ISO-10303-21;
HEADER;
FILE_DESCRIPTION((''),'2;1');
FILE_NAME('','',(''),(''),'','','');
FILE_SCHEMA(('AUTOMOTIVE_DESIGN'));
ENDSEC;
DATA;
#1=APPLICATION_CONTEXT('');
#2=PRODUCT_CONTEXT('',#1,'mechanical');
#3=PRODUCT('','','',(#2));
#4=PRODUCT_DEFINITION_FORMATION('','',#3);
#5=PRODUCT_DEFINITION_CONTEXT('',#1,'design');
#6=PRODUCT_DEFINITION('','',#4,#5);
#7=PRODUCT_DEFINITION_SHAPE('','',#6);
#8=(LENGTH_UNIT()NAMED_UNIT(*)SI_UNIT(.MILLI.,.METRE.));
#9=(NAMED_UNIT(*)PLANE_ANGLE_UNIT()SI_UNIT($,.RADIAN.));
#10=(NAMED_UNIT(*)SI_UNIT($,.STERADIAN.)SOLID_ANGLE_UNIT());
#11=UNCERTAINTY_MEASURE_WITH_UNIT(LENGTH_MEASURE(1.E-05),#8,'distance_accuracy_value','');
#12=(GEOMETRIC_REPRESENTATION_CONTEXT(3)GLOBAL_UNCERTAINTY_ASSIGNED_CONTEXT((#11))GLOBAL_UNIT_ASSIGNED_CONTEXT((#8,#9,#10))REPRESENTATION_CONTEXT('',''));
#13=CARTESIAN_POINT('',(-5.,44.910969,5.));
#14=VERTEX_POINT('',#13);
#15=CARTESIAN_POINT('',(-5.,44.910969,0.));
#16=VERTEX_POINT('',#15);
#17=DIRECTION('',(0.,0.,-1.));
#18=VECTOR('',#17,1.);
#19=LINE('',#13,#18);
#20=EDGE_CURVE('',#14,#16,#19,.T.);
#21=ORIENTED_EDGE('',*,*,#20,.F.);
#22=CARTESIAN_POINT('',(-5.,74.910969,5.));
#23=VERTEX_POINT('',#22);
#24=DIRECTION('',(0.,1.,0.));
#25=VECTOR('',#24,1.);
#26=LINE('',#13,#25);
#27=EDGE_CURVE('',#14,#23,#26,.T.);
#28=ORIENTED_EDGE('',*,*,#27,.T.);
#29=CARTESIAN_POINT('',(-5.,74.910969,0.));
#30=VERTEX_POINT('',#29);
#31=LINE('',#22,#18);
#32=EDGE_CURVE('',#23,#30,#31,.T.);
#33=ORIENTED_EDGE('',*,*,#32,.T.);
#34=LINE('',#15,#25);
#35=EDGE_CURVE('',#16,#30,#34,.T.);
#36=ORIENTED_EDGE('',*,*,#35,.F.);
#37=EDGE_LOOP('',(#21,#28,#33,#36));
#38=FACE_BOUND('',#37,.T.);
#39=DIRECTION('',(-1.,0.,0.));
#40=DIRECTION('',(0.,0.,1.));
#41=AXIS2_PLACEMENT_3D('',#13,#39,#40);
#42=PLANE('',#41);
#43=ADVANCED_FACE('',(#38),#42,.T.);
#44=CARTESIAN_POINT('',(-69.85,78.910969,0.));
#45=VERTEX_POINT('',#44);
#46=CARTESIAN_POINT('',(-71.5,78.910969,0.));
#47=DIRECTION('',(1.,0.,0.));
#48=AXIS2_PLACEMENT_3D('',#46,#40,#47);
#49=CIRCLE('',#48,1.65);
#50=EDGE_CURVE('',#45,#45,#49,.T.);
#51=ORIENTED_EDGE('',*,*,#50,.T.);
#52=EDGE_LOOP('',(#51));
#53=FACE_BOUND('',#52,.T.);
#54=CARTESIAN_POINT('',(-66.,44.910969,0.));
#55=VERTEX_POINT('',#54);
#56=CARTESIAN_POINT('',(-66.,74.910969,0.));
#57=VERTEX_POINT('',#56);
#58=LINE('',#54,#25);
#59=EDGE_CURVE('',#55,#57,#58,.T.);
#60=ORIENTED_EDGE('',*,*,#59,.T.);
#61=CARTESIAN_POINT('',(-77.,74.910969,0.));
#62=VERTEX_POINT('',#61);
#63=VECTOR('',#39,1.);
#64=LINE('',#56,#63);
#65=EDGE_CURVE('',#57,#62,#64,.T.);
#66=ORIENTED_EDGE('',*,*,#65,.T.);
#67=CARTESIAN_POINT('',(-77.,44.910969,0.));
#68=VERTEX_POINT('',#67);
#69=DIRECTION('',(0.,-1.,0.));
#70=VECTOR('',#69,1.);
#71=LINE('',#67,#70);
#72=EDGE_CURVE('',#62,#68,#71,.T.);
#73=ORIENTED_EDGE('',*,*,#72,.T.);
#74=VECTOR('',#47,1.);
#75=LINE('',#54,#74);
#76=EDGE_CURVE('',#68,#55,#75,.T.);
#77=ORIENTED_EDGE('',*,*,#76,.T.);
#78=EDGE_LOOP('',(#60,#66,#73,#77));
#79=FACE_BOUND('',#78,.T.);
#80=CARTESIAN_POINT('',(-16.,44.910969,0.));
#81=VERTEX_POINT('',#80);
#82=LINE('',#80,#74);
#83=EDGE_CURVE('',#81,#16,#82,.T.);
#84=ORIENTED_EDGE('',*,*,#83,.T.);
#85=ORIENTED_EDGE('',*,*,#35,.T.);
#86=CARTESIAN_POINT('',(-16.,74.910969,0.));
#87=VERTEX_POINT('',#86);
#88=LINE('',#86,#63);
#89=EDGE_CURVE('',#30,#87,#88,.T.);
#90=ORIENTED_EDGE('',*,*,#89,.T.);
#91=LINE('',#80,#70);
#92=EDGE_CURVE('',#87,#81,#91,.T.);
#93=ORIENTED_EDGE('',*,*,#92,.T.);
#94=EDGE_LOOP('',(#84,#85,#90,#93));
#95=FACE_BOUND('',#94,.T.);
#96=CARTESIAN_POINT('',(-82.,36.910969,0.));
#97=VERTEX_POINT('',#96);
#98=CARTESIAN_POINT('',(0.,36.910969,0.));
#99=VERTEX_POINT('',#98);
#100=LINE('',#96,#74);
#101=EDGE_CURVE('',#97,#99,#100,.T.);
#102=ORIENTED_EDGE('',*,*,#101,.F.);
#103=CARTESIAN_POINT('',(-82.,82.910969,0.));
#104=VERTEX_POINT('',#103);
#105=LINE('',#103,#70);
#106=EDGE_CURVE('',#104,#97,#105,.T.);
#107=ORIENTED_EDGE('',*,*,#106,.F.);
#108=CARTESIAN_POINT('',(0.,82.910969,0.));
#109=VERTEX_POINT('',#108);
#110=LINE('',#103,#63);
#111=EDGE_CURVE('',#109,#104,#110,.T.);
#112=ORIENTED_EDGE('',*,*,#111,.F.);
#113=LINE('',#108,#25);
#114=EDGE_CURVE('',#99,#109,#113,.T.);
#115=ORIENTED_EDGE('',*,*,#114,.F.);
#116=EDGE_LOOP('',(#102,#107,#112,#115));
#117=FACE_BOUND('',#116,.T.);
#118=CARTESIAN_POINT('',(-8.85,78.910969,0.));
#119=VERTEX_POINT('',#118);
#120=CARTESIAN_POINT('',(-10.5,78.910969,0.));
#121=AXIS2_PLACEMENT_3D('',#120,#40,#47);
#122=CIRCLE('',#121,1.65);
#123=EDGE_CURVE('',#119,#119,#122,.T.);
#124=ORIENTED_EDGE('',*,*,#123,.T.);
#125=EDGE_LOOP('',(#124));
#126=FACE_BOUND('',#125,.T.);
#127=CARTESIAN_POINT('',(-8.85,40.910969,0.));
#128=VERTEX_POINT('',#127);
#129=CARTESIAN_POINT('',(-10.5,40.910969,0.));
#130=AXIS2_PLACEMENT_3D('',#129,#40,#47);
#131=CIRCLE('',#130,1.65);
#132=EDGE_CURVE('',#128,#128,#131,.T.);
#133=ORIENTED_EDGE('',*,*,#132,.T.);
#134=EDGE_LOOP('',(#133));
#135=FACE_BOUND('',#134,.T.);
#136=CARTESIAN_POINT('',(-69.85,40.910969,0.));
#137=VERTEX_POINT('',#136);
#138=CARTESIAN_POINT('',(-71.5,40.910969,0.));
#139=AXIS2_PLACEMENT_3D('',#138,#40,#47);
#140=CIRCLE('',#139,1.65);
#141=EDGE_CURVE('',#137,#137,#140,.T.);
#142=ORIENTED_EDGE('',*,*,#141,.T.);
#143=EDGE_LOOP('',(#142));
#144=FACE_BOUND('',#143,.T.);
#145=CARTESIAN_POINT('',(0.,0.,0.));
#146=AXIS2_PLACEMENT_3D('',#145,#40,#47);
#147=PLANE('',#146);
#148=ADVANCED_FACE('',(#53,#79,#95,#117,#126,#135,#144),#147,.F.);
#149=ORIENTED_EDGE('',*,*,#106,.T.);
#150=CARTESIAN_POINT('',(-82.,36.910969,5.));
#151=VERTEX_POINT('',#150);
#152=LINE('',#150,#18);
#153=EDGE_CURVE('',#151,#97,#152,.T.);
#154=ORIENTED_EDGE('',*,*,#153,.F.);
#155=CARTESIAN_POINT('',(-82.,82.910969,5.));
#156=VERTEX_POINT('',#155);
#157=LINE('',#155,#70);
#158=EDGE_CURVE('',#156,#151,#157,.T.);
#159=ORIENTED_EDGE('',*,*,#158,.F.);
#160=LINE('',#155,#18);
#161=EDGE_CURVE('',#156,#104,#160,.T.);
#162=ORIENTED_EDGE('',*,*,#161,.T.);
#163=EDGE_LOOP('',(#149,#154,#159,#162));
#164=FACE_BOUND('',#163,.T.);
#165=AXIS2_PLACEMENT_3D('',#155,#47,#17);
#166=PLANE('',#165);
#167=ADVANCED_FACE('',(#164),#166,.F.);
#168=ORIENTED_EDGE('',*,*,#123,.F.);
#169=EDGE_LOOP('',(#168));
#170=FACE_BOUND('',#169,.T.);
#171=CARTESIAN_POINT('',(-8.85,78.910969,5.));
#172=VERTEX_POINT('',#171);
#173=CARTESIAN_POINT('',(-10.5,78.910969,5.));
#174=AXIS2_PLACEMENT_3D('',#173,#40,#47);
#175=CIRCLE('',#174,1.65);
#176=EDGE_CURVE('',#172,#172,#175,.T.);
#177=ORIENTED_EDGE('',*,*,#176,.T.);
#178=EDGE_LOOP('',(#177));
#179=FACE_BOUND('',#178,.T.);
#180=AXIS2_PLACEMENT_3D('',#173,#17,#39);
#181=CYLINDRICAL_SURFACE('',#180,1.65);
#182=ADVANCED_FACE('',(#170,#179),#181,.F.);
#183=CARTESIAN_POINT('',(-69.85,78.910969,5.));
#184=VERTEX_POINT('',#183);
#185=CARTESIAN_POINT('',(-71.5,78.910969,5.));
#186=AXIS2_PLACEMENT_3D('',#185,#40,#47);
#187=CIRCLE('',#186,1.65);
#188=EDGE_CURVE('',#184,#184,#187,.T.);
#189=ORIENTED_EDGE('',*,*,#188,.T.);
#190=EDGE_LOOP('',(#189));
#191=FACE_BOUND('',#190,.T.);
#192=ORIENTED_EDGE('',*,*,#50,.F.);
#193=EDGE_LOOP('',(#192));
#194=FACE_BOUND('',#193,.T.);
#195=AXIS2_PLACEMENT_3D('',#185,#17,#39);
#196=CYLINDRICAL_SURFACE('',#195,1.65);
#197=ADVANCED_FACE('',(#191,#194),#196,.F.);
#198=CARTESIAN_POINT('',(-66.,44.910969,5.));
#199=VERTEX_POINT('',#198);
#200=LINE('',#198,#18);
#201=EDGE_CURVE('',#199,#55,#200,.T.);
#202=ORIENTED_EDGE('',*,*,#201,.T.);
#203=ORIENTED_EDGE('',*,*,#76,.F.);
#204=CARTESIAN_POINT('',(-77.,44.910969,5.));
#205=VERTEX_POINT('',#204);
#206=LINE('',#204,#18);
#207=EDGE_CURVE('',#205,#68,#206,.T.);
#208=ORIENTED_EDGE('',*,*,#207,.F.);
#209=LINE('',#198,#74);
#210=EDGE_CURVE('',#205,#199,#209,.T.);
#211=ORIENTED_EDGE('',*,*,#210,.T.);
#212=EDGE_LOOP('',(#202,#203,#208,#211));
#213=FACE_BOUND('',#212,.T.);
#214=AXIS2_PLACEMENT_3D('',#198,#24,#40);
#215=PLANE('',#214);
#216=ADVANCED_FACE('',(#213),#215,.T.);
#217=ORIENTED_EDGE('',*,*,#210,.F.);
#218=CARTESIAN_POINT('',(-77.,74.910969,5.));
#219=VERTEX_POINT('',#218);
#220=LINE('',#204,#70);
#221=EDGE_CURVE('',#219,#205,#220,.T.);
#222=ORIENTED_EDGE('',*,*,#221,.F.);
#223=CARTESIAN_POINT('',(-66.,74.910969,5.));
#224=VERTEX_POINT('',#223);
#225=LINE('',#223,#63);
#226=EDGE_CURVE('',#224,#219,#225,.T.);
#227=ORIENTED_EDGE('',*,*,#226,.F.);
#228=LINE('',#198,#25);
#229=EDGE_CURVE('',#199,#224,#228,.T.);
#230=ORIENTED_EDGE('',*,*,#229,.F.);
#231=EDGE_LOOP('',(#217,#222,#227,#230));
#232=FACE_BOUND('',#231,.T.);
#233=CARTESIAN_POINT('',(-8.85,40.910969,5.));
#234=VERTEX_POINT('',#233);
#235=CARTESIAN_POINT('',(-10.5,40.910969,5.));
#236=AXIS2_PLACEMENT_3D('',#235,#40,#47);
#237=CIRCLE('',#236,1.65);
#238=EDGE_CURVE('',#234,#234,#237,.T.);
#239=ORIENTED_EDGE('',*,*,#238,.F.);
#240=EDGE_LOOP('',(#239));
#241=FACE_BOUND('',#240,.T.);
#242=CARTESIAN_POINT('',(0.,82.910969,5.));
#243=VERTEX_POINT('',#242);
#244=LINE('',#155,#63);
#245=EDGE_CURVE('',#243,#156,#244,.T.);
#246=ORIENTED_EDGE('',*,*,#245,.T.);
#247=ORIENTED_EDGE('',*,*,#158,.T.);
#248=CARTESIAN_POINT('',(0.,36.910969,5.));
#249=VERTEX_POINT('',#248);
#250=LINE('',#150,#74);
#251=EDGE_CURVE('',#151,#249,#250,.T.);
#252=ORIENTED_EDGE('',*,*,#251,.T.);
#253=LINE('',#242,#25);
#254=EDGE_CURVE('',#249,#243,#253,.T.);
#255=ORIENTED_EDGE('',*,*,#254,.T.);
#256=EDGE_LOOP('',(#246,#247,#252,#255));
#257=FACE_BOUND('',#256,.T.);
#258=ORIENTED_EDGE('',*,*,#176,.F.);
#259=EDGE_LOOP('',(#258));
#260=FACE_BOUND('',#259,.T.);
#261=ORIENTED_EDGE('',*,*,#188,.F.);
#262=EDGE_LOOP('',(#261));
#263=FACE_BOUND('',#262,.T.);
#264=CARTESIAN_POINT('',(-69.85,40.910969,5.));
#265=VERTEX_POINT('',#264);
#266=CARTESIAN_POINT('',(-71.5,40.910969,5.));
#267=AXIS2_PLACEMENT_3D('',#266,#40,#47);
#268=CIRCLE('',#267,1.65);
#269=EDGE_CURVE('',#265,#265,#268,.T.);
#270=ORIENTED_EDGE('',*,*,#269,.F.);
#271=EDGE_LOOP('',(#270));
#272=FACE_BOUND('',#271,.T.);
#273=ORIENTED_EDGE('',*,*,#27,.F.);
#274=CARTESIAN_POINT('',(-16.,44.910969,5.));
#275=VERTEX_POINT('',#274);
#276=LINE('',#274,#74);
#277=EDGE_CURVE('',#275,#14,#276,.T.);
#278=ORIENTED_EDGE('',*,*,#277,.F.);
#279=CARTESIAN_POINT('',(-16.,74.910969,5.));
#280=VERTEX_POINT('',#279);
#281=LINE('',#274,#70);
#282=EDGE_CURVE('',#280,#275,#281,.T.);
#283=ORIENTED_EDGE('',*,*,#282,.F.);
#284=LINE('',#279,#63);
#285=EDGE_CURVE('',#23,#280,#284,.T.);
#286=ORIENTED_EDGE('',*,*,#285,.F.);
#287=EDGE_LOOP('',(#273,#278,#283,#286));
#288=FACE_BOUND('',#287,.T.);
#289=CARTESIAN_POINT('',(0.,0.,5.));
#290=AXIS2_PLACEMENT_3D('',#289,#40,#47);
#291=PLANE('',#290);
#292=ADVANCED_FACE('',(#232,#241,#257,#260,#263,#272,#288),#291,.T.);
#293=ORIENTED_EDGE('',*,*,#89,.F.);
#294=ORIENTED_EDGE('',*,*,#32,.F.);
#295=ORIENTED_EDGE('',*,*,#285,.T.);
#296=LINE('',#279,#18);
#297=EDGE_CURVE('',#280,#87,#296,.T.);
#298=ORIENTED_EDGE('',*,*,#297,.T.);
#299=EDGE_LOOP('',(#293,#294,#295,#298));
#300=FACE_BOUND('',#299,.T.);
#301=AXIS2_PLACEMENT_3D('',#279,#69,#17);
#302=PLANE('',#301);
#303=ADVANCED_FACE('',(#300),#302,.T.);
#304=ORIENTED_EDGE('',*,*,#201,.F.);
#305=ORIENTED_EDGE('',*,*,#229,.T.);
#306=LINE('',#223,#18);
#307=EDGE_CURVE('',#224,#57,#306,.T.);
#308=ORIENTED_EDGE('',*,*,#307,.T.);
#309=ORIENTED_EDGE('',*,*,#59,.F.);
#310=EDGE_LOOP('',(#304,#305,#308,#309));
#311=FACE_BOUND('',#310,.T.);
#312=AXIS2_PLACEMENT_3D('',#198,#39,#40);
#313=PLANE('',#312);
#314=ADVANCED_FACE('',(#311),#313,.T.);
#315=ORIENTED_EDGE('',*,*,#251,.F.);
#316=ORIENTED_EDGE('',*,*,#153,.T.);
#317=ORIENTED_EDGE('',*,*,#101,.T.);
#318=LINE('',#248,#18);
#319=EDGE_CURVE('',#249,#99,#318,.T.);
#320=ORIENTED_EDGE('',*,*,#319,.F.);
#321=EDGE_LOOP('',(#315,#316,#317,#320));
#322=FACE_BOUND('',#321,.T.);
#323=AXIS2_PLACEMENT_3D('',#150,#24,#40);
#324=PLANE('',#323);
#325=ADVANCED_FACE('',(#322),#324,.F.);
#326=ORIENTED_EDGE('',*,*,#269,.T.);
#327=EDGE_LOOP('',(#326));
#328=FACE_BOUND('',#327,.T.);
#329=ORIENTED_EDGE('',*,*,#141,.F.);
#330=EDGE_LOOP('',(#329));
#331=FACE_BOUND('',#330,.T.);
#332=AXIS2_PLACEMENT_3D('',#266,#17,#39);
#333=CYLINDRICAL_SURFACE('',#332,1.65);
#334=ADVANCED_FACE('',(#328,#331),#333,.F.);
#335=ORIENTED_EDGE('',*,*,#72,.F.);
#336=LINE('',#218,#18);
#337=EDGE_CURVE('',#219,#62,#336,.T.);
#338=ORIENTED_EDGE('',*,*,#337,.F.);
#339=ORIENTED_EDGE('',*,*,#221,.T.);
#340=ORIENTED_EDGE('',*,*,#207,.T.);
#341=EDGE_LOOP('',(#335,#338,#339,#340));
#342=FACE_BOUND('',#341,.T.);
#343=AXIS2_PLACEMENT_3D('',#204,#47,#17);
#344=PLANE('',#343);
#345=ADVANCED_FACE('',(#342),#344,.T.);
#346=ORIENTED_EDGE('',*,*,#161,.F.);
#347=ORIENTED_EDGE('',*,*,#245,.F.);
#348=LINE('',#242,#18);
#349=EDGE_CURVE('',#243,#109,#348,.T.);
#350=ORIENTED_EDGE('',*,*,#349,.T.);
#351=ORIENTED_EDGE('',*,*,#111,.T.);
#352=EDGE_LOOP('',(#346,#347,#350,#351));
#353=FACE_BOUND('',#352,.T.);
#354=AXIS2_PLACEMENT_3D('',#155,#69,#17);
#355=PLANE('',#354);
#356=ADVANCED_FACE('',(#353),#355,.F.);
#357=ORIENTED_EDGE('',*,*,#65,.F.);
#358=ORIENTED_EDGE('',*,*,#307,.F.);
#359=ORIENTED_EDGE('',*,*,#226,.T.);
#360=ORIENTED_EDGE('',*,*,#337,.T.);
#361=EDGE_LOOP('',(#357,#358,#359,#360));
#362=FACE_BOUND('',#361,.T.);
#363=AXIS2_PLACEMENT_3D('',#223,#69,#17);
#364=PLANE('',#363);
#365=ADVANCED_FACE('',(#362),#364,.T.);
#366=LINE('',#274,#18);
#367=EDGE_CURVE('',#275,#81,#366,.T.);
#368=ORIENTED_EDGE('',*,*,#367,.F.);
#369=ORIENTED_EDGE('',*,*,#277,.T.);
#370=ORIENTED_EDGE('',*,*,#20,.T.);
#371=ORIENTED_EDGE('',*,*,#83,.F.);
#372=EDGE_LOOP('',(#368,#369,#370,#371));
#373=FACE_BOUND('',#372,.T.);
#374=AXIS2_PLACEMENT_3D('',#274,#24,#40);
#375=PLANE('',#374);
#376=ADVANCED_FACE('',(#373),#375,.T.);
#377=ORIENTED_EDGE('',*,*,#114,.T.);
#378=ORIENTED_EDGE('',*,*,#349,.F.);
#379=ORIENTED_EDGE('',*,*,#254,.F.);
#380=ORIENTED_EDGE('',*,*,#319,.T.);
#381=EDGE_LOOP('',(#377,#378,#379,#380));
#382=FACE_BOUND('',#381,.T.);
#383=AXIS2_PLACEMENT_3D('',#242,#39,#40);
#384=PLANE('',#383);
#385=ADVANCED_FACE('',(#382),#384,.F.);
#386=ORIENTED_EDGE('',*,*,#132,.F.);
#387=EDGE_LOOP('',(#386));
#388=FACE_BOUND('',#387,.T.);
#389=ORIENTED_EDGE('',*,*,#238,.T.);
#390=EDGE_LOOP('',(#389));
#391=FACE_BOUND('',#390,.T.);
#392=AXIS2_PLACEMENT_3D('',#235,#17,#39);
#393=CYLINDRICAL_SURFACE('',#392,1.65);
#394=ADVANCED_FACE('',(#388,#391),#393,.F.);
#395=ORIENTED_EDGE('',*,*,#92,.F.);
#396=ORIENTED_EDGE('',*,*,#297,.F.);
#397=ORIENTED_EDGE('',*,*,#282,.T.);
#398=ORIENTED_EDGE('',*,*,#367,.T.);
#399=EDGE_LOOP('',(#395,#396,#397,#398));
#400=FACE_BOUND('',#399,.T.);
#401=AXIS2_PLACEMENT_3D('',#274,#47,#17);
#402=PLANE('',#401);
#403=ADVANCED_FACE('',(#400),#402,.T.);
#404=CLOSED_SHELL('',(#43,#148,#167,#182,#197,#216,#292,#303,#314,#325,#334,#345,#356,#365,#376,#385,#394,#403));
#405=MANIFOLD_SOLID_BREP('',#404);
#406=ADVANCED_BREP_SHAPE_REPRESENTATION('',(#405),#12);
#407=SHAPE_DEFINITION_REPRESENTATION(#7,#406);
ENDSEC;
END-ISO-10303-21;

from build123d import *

# Parameters (mm, degrees)
ESQUISSE1_W        = 82
ESQUISSE1_H        = 46
ESQUISSE1_R        = 1.65
ESQUISSE1_W_2      = 11
ESQUISSE1_H_2      = 30
BOSS_EXTRU_1_DEPTH = 5


with BuildPart() as part:
    # Esquisse1 → Boss.-Extru.1 (new body)
    with BuildSketch(Plane.XY):
        with Locations((-41, 59.910969495)):
            Rectangle(ESQUISSE1_W, ESQUISSE1_H)
        with Locations((-10.5, 40.910969495)):
            Circle(ESQUISSE1_R, mode=Mode.SUBTRACT)
        with Locations((-10.5, 78.910969495)):
            Circle(ESQUISSE1_R, mode=Mode.SUBTRACT)
        with Locations((-71.5, 40.910969495)):
            Circle(ESQUISSE1_R, mode=Mode.SUBTRACT)
        with Locations((-71.5, 78.910969495)):
            Circle(ESQUISSE1_R, mode=Mode.SUBTRACT)
        with Locations((-71.5, 59.910969495)):
            Rectangle(ESQUISSE1_W_2, ESQUISSE1_H_2, mode=Mode.SUBTRACT)
        with Locations((-10.5, 59.910969495)):
            Rectangle(ESQUISSE1_W_2, ESQUISSE1_H_2, mode=Mode.SUBTRACT)
    extrude(amount=BOSS_EXTRU_1_DEPTH)


solid = part.part
